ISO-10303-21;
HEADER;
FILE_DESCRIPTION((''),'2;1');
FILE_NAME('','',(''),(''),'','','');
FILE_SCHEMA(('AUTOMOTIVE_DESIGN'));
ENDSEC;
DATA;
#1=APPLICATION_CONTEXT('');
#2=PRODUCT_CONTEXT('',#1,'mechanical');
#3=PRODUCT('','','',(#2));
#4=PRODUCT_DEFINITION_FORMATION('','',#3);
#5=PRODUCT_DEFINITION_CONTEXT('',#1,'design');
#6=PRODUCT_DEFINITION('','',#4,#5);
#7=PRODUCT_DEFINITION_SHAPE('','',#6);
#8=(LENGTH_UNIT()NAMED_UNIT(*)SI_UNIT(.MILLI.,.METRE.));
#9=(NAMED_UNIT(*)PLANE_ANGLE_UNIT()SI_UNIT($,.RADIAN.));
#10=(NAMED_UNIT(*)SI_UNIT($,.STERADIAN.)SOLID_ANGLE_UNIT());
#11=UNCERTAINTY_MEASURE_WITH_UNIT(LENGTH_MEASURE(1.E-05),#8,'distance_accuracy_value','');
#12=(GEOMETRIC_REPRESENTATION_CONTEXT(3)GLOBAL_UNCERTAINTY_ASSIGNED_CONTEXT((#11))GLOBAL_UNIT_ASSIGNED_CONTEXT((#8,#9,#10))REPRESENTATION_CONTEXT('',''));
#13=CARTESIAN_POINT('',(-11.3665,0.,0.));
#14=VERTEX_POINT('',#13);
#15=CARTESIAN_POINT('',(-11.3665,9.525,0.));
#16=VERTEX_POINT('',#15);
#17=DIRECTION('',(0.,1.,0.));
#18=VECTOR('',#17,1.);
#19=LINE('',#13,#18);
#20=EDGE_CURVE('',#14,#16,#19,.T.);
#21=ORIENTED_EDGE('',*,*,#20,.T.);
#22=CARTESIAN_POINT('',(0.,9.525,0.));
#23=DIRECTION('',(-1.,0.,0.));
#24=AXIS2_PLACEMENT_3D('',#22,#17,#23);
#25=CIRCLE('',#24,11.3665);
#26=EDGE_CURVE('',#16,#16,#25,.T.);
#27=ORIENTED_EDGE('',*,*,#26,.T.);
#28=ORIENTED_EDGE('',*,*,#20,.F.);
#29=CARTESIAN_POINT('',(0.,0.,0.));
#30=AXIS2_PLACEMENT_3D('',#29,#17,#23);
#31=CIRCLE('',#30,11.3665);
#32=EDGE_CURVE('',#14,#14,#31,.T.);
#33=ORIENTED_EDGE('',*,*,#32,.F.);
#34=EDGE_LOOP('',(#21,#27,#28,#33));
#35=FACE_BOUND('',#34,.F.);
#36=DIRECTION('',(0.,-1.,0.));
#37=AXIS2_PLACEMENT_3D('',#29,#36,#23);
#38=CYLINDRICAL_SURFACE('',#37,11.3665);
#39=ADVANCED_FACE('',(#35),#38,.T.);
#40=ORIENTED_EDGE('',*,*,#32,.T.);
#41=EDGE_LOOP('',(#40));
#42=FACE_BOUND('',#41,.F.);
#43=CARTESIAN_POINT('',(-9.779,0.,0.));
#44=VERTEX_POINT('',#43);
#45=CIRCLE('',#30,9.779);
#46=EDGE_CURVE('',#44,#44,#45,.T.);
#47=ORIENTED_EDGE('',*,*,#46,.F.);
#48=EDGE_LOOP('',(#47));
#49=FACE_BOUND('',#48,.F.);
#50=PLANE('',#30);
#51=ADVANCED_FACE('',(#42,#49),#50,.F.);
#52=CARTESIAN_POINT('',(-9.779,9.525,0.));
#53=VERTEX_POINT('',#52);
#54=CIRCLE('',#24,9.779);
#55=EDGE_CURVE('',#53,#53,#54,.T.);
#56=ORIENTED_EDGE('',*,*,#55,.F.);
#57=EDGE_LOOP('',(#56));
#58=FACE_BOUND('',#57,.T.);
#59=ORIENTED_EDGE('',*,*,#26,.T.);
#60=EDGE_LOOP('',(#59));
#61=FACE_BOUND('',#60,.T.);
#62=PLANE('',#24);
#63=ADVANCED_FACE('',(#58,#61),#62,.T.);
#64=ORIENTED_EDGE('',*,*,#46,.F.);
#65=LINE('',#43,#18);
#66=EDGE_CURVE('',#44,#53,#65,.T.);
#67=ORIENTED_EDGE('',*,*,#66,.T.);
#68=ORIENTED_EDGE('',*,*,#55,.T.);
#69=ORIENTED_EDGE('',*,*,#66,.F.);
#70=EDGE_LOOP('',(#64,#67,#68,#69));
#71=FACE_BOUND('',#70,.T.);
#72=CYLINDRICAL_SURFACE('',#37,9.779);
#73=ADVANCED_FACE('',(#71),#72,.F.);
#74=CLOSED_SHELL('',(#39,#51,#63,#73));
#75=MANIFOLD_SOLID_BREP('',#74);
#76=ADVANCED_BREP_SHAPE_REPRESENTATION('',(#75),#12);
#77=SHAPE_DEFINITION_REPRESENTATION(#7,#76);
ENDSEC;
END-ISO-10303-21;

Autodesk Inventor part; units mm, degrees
ref_plane "YZ Plane" through (0, 0, 0) normal (1, 0, 0) x (0, 1, 0)
ref_plane "XZ Plane" through (0, 0, 0) normal (0, 1, 0) x (-1, 0, 0)
ref_plane "XY Plane" through (0, 0, 0) normal (0, 0, 1) x (1, 0, 0)
sketch "Sketch1" plane through (0, 0, 0) normal (0, 1, 0) x (-1, 0, 0)
  circle A0 centre (0, 0) radius 11.3665
  circle A1 centre (0, 0) radius 9.779
  dimension "d0" = 22.733
  dimension "d1" = 19.558
  dimension "d4" = 1.5875
extrude "Extrusion1" add sketch "Sketch1" along normal blind 9.525
properties part number "Tube grip" material "Rubber, Silicone"
